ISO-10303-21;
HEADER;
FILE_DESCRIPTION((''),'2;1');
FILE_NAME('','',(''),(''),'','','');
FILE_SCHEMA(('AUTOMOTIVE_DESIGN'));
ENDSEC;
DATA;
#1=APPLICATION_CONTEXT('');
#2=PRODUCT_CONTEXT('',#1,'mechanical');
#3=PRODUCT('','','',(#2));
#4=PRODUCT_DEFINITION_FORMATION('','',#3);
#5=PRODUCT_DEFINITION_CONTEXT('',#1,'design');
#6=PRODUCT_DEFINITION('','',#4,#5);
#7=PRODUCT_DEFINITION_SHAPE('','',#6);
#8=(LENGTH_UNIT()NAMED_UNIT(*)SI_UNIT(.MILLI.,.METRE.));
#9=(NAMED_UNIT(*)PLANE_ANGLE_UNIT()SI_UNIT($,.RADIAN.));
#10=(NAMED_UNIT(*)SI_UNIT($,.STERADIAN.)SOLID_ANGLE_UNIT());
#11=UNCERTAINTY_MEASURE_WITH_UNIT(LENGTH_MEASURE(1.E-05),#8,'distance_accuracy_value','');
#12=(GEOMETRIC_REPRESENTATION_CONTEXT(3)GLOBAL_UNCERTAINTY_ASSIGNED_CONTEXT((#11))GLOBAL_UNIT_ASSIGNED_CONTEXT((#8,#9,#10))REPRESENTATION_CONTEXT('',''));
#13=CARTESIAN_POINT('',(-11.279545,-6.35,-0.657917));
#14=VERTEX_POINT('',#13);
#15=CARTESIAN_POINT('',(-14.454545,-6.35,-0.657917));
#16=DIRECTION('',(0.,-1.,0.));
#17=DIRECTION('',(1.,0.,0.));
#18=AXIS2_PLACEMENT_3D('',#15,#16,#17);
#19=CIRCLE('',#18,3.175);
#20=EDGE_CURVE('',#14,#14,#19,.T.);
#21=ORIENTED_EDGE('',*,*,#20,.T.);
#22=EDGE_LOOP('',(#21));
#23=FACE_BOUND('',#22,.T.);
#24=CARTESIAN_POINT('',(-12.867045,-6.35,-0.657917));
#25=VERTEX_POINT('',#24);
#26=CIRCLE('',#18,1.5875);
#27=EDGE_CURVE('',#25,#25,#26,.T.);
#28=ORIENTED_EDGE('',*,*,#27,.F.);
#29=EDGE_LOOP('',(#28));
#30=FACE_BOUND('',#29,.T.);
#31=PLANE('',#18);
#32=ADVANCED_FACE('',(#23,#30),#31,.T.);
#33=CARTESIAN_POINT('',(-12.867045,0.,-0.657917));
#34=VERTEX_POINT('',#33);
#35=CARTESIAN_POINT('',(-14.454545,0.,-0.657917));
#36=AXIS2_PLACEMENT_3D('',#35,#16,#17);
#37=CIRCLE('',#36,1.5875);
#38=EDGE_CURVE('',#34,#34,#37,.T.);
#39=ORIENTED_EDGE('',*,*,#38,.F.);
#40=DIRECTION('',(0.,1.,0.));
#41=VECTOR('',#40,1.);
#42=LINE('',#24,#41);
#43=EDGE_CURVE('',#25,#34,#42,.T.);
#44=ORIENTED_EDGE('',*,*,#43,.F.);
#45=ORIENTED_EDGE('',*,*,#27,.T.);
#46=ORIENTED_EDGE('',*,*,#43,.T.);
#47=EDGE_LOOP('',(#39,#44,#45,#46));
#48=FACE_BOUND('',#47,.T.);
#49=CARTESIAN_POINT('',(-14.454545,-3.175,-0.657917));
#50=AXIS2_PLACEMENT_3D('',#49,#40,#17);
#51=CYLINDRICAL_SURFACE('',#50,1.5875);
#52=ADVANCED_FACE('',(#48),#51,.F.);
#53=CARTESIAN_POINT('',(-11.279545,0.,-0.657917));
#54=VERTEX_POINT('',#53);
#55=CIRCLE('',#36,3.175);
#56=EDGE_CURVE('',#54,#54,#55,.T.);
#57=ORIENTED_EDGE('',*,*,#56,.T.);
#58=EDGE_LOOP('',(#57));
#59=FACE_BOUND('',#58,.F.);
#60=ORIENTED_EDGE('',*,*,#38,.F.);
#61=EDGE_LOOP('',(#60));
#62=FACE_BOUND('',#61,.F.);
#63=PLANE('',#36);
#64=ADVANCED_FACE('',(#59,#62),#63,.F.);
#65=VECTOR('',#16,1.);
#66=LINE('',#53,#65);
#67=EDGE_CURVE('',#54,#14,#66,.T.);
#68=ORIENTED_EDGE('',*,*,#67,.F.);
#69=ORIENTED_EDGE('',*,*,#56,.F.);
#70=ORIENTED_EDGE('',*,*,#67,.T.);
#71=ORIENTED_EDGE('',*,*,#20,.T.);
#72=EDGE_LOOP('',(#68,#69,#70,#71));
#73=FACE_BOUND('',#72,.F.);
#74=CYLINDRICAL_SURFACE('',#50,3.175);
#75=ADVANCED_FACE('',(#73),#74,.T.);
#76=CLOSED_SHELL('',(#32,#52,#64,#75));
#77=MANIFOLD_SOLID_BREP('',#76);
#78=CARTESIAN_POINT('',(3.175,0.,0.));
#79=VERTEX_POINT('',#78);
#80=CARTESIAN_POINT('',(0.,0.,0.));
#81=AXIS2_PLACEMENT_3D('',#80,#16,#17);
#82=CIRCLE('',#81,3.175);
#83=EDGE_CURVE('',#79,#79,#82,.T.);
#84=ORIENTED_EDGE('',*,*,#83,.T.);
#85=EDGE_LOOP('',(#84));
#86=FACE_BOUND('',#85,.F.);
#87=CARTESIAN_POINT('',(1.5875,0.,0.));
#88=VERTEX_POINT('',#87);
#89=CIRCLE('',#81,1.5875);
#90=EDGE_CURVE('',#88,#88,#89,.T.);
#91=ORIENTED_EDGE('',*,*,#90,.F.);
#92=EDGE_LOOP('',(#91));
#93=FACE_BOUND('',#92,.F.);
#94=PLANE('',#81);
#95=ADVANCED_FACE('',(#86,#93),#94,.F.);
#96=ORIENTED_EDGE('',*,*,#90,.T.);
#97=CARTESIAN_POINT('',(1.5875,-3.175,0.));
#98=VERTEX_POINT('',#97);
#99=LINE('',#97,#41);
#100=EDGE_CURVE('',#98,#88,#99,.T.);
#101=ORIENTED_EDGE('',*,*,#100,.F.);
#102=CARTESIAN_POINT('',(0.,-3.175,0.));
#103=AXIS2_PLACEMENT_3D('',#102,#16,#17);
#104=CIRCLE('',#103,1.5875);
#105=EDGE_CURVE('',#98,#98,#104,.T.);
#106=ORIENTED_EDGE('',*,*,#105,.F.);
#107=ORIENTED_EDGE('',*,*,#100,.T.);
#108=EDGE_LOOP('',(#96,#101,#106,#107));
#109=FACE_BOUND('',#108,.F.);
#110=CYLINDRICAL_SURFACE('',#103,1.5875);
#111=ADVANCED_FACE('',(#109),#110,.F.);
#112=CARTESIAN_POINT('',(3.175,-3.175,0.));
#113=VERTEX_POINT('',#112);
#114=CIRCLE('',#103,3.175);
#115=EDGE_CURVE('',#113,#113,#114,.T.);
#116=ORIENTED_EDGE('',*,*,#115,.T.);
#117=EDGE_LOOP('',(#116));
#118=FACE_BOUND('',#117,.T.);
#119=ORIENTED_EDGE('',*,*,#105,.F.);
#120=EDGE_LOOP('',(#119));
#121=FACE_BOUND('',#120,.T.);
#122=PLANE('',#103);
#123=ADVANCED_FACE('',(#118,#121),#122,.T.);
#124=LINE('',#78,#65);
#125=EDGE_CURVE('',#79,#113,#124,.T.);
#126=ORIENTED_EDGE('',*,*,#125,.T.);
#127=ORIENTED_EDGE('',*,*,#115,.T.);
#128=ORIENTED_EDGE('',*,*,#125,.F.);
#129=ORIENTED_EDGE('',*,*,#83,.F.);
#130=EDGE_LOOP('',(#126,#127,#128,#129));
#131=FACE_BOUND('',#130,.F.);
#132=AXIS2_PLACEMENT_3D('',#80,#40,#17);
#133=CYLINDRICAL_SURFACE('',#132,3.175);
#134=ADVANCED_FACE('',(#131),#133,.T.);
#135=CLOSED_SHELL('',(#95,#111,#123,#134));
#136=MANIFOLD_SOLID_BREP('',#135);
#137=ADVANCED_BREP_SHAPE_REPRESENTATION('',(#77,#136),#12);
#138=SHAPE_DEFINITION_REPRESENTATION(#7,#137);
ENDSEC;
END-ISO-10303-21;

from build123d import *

# Parameters (mm, degrees)
F0_R        = 3.175
F0_R_2      = 1.5875
F1_DEPTH    = 3.175
F2_R        = 1.5875
F3_DEPTH    = 3.176
F1_FACE_R   = 3.175
F1_FACE_R_2 = 1.5875
F4_DEPTH    = 3.175


with BuildPart() as f1:
    # F0 (on Front) → F1 (new body)
    with BuildSketch(Plane.XZ):
        Circle(F0_R)
        with Locations((-14.454545, -0.657917)):
            Circle(F0_R)
        with Locations((-14.454545, -0.657917)):
            Circle(F0_R_2, mode=Mode.SUBTRACT)
    extrude(amount=F1_DEPTH)

    # F2 (on face) → F3 (cut, through all)
    with BuildSketch(Plane.XZ.offset(3.175)):
        Circle(F2_R)
    extrude(amount=-F3_DEPTH, mode=Mode.SUBTRACT)

    # F1_face (on face) → F4 (join)
    with BuildSketch(Plane.XZ.offset(3.175)):
        with Locations((-14.454545, -0.657917)):
            Circle(F1_FACE_R)
        with Locations((-14.454545, -0.657917)):
            Circle(F1_FACE_R_2, mode=Mode.SUBTRACT)
    extrude(amount=F4_DEPTH)


solid = f1.part
